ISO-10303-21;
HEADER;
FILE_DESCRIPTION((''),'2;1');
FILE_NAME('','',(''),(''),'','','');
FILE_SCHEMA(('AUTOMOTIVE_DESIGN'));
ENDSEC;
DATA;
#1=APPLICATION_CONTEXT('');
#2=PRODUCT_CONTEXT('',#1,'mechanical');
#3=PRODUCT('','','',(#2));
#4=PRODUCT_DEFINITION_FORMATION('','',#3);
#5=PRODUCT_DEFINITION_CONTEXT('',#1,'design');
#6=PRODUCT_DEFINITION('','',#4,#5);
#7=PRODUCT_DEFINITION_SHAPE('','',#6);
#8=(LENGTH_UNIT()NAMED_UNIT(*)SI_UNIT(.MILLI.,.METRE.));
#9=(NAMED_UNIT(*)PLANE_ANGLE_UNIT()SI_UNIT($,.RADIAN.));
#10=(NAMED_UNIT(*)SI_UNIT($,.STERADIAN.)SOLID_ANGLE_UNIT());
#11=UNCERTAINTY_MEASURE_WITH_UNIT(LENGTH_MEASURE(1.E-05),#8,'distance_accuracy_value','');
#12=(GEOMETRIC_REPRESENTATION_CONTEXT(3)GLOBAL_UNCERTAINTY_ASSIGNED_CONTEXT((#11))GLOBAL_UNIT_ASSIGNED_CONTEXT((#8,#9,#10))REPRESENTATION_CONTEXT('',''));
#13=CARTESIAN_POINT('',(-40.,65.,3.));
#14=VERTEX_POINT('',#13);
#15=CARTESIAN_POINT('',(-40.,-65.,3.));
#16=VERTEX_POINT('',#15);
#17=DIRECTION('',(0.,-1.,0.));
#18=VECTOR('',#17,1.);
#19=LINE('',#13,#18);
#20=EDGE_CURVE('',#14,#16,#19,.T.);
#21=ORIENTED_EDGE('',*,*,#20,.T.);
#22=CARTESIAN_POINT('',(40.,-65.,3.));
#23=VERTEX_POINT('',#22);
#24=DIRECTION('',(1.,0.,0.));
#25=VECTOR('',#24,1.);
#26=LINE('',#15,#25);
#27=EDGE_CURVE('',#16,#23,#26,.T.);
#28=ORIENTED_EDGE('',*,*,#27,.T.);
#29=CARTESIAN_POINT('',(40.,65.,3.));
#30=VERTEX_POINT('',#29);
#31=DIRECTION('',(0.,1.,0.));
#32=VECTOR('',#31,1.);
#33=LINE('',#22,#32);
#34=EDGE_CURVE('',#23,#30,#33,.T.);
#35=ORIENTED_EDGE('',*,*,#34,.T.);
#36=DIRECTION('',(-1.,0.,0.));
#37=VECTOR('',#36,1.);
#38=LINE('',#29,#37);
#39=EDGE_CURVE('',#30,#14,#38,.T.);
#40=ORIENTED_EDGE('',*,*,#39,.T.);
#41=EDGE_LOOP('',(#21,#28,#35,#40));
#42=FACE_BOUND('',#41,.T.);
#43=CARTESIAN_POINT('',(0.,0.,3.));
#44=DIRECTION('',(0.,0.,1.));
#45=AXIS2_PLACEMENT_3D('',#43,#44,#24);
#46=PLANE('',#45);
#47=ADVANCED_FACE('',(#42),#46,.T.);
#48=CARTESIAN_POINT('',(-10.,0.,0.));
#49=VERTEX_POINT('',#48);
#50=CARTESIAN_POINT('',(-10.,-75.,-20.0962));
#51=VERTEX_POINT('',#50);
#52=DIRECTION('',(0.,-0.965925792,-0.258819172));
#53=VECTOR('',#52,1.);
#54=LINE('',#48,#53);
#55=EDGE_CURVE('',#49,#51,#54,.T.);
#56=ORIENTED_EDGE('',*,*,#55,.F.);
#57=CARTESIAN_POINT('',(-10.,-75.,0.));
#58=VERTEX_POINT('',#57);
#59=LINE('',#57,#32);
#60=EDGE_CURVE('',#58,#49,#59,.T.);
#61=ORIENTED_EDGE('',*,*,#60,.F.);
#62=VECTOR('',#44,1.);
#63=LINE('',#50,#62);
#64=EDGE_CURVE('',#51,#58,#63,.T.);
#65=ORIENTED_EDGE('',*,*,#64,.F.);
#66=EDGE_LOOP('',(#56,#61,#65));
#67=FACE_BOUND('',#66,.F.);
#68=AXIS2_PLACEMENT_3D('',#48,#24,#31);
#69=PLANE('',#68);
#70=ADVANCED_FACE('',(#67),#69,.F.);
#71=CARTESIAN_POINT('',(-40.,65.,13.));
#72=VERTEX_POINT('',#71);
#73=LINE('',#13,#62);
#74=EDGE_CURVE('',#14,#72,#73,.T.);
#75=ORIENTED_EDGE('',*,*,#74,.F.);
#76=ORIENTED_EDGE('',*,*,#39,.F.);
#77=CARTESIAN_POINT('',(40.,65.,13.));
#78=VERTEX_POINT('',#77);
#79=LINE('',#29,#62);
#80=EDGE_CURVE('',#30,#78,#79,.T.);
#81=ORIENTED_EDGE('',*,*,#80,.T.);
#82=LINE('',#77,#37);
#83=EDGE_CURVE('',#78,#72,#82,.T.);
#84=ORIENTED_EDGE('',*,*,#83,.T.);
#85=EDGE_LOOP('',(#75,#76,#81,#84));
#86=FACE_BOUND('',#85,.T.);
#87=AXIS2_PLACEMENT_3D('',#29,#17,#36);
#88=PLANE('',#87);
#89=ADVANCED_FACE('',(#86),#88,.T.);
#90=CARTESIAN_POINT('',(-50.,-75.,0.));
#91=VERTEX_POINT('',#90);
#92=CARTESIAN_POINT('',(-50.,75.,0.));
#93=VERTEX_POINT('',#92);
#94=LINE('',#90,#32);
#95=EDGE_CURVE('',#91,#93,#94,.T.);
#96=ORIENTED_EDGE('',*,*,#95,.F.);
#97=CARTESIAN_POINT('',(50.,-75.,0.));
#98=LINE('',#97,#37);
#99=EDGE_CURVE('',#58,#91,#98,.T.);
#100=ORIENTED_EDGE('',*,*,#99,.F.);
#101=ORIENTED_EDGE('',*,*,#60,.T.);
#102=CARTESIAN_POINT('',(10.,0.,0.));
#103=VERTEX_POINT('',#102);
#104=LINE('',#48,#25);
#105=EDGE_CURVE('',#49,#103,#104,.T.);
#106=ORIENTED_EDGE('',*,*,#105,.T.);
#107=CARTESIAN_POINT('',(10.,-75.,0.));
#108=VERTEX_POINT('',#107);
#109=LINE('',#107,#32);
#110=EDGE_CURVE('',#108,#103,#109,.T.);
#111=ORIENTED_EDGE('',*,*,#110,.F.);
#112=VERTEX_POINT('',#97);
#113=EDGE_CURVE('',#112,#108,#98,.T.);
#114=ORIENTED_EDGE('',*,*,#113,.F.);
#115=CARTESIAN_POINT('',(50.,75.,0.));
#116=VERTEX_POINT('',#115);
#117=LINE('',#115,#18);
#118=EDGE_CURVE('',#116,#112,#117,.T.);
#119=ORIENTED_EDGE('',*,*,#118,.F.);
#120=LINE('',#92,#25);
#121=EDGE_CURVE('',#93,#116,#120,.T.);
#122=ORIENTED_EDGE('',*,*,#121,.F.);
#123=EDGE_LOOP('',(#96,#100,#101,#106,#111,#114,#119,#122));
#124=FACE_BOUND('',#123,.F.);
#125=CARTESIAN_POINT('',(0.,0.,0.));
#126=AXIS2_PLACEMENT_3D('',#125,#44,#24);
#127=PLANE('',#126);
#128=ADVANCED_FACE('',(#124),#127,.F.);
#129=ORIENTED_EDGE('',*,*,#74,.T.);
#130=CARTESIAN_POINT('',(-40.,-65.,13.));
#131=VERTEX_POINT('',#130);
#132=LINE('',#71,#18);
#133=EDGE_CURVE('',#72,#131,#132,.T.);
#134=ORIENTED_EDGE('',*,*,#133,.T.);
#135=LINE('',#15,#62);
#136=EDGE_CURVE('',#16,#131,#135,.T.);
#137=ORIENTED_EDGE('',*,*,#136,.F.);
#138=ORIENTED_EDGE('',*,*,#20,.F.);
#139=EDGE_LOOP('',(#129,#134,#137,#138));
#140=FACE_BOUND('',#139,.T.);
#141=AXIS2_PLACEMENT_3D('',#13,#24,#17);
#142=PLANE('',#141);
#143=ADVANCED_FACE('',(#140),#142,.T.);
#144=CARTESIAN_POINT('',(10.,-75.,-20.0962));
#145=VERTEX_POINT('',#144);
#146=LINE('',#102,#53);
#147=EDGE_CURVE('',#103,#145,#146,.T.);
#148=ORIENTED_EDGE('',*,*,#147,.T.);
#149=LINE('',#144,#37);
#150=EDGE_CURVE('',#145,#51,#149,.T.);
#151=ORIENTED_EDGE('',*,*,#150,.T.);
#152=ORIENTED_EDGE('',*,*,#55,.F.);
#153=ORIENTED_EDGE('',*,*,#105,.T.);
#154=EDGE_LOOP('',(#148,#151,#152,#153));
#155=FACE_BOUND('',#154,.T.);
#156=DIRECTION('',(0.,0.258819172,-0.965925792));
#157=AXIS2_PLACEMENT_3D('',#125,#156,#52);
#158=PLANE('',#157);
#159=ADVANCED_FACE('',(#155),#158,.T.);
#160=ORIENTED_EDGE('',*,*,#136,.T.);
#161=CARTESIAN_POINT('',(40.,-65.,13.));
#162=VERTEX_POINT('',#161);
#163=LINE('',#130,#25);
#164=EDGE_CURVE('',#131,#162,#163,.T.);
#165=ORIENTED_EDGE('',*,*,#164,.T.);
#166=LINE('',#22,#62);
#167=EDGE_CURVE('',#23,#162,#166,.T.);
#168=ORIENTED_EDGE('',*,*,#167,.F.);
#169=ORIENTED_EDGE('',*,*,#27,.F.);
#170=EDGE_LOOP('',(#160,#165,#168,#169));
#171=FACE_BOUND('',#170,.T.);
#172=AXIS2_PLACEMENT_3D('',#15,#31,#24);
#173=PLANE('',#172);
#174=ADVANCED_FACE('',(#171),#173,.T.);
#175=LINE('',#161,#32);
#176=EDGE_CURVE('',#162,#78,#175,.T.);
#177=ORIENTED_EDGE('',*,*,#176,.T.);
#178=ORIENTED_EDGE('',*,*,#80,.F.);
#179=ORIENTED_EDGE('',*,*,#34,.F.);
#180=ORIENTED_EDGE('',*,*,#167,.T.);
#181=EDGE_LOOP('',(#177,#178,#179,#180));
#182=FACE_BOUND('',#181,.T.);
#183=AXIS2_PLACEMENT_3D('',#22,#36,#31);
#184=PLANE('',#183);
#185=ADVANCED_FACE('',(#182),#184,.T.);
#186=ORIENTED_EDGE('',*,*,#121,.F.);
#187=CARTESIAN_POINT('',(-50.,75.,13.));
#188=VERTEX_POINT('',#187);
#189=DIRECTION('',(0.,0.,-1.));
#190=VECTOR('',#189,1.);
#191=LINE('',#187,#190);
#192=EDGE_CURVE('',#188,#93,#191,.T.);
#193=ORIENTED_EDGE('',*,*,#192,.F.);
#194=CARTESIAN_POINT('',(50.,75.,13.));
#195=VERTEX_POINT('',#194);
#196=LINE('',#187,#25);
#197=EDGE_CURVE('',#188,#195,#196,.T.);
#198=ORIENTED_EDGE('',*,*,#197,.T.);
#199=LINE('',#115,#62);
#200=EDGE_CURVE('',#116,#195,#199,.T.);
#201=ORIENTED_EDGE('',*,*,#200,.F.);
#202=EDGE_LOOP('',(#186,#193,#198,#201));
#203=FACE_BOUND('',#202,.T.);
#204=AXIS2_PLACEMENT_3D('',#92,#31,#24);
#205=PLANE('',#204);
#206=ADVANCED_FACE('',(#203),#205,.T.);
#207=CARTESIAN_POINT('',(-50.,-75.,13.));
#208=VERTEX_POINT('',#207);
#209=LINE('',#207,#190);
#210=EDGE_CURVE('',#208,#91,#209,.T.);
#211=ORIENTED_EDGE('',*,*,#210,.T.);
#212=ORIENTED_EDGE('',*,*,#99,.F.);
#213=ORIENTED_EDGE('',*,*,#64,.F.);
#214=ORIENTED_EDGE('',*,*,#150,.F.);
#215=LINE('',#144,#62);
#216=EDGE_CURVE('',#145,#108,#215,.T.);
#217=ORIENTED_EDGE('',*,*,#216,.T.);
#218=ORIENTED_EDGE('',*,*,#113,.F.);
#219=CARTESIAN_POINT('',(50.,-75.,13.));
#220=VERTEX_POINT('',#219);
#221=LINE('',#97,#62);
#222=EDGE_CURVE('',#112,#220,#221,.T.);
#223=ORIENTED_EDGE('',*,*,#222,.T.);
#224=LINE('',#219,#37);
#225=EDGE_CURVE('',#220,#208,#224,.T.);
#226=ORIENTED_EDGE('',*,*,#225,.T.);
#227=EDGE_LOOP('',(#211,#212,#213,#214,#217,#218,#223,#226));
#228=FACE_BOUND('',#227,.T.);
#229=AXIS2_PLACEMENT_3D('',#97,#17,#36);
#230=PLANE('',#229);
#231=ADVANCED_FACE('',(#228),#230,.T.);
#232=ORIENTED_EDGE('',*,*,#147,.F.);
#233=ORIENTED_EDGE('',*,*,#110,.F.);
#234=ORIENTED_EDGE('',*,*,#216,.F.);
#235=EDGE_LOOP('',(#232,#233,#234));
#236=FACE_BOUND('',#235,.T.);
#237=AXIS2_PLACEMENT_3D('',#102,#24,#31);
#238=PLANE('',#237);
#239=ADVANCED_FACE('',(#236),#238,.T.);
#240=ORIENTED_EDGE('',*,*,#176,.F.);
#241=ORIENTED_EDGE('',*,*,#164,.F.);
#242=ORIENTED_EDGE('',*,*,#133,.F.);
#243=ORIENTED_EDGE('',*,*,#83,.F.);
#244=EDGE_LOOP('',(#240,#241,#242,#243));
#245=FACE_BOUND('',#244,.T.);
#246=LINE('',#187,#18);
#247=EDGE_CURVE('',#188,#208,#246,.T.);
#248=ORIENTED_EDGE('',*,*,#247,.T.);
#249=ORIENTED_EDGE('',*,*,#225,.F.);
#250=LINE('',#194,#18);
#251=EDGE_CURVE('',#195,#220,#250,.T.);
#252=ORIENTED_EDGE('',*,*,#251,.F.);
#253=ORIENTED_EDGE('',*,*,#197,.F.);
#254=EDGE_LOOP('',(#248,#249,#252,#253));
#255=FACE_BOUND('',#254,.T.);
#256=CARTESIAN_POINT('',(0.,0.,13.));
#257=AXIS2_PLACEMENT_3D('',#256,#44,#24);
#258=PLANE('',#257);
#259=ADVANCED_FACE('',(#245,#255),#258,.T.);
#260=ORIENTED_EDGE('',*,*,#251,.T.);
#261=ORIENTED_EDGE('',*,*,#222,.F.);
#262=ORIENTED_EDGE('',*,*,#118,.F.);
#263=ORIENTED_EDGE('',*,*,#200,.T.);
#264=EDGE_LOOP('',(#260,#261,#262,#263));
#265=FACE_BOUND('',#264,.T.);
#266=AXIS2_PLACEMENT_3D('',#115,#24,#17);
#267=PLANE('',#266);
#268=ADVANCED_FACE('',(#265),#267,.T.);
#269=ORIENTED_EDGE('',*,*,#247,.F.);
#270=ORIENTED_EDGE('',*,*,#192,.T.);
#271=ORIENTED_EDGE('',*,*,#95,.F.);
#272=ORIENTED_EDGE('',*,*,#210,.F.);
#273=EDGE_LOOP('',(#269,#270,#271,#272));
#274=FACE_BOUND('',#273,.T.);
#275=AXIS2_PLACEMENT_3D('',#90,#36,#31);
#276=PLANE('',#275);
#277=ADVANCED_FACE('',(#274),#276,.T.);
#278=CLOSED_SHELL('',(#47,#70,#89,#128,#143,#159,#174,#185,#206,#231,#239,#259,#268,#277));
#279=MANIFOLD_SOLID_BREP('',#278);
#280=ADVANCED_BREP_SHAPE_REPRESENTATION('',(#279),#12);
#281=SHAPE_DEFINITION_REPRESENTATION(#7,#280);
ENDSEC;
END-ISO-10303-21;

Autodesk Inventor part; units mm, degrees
ref_plane "YZ Plane" through (0, 0, 0) normal (1, 0, 0) x (0, 1, 0)
ref_plane "XZ Plane" through (0, 0, 0) normal (0, 1, 0) x (-1, 0, 0)
ref_plane "XY Plane" through (0, 0, 0) normal (0, 0, 1) x (1, 0, 0)
sketch "Эскиз1" plane through (0, 0, 0) normal (0, 0, 1) x (1, 0, 0)
  line L0 (50, -75) -> (-50, -75)
  line L1 (-50, -75) -> (-50, 75)
  line L2 (-50, 75) -> (50, 75)
  line L3 (50, 75) -> (50, -75)
  line L4 (50, -75) -> (-50, 75) construction
  line L5 (-50, -75) -> (50, 75) construction
  point P0 (0, 0)
  dimension "d0" = 100
  dimension "d1" = 150
extrude "Выдавливание1" add sketch "Эскиз1" along normal blind 3
sketch "Эскиз2" plane through (0, 0, 3) normal (0, 0, 1) x (1, 0, 0)
  line L0 (-50, 75) -> (-50, -75) projected
  line L1 (50, -75) -> (-50, -75)
  line L2 (-50, -75) -> (-50, 75)
  line L3 (-50, 75) -> (50, 75)
  line L4 (50, 75) -> (50, -75)
  line L5 (50, -75) -> (-50, 75) construction
  line L6 (-50, -75) -> (50, 75) construction
  line L7 (-50.1414, 75) -> (-50.1414, -75)
  line L8 (40, 65) -> (-40, 65)
  line L9 (-40, 65) -> (-40, -65)
  line L10 (-40, -65) -> (40, -65)
  line L11 (40, -65) -> (40, 65)
  point P0 (0, 0)
  dimension "d4" = 10
extrude "Выдавливание2" add sketch "Эскиз2" along normal blind 10
sketch "Эскиз3" plane through (0, 0, 0) normal (1, 0, 0) x (0, 1, 0)
  line L0 (0, 0) -> (-75, -20.0962)
  line L1 (-75, 0) -> (75, 0) projected
  line L2 (-75, -20.0962) -> (-75, 0)
  line L3 (-75, 0) -> (0, 0)
  dimension "d7" = 15
extrude "Выдавливание3" add sketch "Эскиз3" along normal mid plane 20
properties part number "project2"
